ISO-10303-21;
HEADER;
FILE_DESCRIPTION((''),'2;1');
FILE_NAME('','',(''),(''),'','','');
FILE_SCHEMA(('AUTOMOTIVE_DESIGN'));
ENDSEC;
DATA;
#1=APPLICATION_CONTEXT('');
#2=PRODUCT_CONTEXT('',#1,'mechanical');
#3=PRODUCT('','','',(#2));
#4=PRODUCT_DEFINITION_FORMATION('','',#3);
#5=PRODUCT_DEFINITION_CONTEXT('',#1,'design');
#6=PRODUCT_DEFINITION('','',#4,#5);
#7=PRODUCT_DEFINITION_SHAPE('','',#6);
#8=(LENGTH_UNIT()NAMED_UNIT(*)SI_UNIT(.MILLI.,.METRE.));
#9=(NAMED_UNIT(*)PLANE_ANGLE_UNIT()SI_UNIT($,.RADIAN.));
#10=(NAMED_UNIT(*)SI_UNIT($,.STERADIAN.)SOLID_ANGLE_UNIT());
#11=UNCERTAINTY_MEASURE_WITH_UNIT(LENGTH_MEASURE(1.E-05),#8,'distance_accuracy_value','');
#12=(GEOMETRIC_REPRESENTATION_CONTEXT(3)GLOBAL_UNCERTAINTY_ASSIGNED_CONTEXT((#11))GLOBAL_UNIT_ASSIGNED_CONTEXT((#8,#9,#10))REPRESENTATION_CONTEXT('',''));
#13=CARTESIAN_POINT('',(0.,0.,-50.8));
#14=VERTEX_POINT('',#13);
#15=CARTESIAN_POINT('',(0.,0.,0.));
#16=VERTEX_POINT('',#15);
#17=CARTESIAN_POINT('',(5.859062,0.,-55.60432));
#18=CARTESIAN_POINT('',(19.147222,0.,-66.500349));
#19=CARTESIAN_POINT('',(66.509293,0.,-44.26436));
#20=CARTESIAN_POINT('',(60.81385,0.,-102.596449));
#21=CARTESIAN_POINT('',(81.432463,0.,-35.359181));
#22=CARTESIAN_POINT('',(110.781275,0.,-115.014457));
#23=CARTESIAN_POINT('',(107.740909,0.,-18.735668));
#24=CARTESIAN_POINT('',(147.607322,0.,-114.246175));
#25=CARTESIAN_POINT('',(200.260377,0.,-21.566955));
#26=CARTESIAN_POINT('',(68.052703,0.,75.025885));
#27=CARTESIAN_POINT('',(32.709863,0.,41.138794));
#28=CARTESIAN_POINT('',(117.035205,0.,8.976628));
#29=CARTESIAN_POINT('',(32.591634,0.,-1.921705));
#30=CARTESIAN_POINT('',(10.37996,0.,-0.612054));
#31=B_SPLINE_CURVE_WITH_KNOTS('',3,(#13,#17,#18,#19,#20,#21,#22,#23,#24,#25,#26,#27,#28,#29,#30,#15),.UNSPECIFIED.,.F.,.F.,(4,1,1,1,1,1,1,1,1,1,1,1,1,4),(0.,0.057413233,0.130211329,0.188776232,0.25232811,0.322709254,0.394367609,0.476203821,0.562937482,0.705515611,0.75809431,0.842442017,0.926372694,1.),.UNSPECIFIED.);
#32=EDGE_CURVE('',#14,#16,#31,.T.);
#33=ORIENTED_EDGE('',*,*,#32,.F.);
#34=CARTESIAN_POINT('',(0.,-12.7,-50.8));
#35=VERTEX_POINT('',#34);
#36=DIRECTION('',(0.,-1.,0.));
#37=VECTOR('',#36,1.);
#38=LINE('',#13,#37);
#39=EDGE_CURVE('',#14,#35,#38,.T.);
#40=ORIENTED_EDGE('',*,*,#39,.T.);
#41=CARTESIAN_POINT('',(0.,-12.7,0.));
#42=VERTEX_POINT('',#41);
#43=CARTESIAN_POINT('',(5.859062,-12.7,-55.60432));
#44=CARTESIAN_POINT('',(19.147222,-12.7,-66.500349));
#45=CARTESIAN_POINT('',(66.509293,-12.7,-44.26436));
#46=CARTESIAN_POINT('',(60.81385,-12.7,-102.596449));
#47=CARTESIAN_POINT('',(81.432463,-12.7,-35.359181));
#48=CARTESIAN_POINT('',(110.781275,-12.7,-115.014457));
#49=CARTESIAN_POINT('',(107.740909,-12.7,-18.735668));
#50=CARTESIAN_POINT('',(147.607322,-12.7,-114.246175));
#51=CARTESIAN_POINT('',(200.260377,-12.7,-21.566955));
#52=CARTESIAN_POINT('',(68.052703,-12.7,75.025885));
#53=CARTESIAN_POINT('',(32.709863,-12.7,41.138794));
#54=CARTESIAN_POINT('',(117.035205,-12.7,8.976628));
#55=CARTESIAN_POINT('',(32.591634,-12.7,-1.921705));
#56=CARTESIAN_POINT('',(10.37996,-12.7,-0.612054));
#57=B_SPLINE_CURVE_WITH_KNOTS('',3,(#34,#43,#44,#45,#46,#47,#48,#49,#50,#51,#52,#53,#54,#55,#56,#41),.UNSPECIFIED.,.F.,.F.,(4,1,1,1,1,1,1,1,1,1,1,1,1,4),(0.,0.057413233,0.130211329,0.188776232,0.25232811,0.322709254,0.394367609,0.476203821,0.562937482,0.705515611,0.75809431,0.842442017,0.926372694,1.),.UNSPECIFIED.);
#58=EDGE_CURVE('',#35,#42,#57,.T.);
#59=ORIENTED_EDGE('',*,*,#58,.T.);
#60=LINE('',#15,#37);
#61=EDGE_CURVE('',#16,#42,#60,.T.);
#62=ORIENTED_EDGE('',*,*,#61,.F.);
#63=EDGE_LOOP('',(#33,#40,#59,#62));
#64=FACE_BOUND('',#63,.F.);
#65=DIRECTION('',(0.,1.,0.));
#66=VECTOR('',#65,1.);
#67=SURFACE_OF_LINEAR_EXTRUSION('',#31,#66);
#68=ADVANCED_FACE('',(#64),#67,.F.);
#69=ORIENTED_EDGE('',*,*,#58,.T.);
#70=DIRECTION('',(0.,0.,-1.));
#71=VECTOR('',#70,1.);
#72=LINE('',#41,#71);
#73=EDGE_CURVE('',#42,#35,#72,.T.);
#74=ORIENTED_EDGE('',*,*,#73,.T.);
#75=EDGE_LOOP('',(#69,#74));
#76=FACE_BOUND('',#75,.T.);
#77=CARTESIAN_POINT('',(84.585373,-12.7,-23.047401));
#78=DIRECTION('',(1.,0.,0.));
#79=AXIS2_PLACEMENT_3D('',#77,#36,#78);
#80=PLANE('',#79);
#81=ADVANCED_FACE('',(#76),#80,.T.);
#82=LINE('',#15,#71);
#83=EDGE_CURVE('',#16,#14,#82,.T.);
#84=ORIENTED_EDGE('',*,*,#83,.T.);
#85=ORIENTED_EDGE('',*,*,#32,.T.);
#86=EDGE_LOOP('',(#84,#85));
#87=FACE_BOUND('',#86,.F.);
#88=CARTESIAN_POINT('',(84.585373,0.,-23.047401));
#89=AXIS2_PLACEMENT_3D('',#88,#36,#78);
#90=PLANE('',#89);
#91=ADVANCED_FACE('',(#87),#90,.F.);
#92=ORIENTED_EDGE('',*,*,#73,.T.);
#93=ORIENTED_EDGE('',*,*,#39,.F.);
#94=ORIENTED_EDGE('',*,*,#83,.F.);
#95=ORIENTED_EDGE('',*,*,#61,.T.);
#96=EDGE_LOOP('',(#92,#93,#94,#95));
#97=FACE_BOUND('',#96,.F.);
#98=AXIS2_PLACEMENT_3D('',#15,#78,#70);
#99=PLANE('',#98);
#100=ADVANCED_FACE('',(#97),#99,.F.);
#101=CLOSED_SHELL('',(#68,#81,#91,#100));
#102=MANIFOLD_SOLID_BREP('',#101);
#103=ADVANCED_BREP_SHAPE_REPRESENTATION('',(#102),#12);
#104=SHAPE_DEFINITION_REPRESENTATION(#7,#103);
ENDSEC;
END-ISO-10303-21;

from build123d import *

# Parameters (mm, degrees)
F1_DEPTH = 12.7


with BuildPart() as f1:
    # F0 (on Front) → F1 (new body)
    with BuildSketch(Plane.XZ):
        with BuildLine():
            add(Edge.make_bspline(
                [(0, -50.8), (5.859061814, -55.6043195606), (19.1472219087, -66.5003489081), (66.5092932193, -44.2643598889), (60.8138498111, -102.5964494995), (81.4324628075, -35.3591807408), (110.7812745848, -115.0144571935), (107.740908803, -18.7356680113), (147.6073222582, -114.2461751661), (200.2603769935, -21.5669545593), (68.0527033469, 75.0258853272), (32.7098632022, 41.138793556), (117.0352046872, 8.9766275406), (32.5916339373, -1.9217050585), (10.3799604849, -0.6120535728), (0, 0)],
                knots=[0, 0, 0, 0, 0.0574132326, 0.1302113289, 0.188776232, 0.2523281096, 0.3227092537, 0.3943676085, 0.4762038212, 0.5629374818, 0.7055156111, 0.7580943102, 0.8424420169, 0.9263726936, 1, 1, 1, 1], degree=3))
            Line((0, 0), (0, -50.8))
        make_face()
    extrude(amount=F1_DEPTH)


solid = f1.part
